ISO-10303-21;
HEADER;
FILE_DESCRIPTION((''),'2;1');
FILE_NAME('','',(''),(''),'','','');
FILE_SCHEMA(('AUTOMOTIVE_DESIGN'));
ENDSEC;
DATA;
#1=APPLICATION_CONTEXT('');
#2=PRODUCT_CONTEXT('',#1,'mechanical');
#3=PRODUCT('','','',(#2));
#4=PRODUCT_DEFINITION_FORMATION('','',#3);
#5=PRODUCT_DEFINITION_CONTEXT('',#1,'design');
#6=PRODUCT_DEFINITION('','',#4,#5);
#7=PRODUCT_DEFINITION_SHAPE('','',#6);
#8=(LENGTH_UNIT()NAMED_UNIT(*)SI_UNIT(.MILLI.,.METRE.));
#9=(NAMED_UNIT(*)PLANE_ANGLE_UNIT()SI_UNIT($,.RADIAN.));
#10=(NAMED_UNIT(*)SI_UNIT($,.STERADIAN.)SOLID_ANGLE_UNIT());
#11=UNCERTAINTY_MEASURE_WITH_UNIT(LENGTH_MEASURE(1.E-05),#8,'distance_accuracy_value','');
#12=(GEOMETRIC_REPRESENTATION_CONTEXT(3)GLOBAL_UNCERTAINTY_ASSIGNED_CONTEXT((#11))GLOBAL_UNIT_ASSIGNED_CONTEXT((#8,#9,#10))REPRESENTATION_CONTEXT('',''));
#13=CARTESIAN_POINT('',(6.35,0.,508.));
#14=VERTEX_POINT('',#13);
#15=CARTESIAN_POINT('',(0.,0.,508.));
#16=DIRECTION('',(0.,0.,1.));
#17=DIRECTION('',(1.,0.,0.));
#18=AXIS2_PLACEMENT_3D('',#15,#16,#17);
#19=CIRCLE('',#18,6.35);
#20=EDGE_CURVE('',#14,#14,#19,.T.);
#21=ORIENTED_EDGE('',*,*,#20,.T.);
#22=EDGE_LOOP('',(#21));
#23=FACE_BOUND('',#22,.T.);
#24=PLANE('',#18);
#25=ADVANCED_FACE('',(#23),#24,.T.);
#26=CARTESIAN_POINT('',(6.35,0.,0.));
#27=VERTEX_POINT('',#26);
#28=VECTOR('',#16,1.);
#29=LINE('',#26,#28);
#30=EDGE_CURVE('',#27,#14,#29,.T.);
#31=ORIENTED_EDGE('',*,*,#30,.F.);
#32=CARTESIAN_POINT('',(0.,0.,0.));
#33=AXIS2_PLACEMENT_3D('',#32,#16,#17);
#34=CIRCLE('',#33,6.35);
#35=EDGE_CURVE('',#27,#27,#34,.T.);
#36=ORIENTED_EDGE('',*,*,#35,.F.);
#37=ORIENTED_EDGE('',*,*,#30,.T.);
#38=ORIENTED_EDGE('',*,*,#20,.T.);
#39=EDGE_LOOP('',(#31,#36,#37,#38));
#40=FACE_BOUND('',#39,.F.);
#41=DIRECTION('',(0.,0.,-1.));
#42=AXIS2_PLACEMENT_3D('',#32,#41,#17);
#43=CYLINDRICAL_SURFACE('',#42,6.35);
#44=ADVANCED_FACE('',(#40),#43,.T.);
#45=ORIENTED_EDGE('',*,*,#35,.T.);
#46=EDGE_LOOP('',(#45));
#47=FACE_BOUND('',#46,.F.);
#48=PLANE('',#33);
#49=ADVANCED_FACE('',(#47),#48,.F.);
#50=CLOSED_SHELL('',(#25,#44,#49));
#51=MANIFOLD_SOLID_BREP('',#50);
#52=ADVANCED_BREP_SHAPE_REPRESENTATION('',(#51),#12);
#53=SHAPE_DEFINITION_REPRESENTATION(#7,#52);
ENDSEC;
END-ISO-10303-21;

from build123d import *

# Parameters (mm, degrees)
SKETCH1_R           = 6.35
BOSS_EXTRUDE1_DEPTH = 508


with BuildPart() as part:
    # Sketch1 → Boss-Extrude1 (new body)
    with BuildSketch(Plane.XY):
        Circle(SKETCH1_R)
    extrude(amount=BOSS_EXTRUDE1_DEPTH)


solid = part.part
